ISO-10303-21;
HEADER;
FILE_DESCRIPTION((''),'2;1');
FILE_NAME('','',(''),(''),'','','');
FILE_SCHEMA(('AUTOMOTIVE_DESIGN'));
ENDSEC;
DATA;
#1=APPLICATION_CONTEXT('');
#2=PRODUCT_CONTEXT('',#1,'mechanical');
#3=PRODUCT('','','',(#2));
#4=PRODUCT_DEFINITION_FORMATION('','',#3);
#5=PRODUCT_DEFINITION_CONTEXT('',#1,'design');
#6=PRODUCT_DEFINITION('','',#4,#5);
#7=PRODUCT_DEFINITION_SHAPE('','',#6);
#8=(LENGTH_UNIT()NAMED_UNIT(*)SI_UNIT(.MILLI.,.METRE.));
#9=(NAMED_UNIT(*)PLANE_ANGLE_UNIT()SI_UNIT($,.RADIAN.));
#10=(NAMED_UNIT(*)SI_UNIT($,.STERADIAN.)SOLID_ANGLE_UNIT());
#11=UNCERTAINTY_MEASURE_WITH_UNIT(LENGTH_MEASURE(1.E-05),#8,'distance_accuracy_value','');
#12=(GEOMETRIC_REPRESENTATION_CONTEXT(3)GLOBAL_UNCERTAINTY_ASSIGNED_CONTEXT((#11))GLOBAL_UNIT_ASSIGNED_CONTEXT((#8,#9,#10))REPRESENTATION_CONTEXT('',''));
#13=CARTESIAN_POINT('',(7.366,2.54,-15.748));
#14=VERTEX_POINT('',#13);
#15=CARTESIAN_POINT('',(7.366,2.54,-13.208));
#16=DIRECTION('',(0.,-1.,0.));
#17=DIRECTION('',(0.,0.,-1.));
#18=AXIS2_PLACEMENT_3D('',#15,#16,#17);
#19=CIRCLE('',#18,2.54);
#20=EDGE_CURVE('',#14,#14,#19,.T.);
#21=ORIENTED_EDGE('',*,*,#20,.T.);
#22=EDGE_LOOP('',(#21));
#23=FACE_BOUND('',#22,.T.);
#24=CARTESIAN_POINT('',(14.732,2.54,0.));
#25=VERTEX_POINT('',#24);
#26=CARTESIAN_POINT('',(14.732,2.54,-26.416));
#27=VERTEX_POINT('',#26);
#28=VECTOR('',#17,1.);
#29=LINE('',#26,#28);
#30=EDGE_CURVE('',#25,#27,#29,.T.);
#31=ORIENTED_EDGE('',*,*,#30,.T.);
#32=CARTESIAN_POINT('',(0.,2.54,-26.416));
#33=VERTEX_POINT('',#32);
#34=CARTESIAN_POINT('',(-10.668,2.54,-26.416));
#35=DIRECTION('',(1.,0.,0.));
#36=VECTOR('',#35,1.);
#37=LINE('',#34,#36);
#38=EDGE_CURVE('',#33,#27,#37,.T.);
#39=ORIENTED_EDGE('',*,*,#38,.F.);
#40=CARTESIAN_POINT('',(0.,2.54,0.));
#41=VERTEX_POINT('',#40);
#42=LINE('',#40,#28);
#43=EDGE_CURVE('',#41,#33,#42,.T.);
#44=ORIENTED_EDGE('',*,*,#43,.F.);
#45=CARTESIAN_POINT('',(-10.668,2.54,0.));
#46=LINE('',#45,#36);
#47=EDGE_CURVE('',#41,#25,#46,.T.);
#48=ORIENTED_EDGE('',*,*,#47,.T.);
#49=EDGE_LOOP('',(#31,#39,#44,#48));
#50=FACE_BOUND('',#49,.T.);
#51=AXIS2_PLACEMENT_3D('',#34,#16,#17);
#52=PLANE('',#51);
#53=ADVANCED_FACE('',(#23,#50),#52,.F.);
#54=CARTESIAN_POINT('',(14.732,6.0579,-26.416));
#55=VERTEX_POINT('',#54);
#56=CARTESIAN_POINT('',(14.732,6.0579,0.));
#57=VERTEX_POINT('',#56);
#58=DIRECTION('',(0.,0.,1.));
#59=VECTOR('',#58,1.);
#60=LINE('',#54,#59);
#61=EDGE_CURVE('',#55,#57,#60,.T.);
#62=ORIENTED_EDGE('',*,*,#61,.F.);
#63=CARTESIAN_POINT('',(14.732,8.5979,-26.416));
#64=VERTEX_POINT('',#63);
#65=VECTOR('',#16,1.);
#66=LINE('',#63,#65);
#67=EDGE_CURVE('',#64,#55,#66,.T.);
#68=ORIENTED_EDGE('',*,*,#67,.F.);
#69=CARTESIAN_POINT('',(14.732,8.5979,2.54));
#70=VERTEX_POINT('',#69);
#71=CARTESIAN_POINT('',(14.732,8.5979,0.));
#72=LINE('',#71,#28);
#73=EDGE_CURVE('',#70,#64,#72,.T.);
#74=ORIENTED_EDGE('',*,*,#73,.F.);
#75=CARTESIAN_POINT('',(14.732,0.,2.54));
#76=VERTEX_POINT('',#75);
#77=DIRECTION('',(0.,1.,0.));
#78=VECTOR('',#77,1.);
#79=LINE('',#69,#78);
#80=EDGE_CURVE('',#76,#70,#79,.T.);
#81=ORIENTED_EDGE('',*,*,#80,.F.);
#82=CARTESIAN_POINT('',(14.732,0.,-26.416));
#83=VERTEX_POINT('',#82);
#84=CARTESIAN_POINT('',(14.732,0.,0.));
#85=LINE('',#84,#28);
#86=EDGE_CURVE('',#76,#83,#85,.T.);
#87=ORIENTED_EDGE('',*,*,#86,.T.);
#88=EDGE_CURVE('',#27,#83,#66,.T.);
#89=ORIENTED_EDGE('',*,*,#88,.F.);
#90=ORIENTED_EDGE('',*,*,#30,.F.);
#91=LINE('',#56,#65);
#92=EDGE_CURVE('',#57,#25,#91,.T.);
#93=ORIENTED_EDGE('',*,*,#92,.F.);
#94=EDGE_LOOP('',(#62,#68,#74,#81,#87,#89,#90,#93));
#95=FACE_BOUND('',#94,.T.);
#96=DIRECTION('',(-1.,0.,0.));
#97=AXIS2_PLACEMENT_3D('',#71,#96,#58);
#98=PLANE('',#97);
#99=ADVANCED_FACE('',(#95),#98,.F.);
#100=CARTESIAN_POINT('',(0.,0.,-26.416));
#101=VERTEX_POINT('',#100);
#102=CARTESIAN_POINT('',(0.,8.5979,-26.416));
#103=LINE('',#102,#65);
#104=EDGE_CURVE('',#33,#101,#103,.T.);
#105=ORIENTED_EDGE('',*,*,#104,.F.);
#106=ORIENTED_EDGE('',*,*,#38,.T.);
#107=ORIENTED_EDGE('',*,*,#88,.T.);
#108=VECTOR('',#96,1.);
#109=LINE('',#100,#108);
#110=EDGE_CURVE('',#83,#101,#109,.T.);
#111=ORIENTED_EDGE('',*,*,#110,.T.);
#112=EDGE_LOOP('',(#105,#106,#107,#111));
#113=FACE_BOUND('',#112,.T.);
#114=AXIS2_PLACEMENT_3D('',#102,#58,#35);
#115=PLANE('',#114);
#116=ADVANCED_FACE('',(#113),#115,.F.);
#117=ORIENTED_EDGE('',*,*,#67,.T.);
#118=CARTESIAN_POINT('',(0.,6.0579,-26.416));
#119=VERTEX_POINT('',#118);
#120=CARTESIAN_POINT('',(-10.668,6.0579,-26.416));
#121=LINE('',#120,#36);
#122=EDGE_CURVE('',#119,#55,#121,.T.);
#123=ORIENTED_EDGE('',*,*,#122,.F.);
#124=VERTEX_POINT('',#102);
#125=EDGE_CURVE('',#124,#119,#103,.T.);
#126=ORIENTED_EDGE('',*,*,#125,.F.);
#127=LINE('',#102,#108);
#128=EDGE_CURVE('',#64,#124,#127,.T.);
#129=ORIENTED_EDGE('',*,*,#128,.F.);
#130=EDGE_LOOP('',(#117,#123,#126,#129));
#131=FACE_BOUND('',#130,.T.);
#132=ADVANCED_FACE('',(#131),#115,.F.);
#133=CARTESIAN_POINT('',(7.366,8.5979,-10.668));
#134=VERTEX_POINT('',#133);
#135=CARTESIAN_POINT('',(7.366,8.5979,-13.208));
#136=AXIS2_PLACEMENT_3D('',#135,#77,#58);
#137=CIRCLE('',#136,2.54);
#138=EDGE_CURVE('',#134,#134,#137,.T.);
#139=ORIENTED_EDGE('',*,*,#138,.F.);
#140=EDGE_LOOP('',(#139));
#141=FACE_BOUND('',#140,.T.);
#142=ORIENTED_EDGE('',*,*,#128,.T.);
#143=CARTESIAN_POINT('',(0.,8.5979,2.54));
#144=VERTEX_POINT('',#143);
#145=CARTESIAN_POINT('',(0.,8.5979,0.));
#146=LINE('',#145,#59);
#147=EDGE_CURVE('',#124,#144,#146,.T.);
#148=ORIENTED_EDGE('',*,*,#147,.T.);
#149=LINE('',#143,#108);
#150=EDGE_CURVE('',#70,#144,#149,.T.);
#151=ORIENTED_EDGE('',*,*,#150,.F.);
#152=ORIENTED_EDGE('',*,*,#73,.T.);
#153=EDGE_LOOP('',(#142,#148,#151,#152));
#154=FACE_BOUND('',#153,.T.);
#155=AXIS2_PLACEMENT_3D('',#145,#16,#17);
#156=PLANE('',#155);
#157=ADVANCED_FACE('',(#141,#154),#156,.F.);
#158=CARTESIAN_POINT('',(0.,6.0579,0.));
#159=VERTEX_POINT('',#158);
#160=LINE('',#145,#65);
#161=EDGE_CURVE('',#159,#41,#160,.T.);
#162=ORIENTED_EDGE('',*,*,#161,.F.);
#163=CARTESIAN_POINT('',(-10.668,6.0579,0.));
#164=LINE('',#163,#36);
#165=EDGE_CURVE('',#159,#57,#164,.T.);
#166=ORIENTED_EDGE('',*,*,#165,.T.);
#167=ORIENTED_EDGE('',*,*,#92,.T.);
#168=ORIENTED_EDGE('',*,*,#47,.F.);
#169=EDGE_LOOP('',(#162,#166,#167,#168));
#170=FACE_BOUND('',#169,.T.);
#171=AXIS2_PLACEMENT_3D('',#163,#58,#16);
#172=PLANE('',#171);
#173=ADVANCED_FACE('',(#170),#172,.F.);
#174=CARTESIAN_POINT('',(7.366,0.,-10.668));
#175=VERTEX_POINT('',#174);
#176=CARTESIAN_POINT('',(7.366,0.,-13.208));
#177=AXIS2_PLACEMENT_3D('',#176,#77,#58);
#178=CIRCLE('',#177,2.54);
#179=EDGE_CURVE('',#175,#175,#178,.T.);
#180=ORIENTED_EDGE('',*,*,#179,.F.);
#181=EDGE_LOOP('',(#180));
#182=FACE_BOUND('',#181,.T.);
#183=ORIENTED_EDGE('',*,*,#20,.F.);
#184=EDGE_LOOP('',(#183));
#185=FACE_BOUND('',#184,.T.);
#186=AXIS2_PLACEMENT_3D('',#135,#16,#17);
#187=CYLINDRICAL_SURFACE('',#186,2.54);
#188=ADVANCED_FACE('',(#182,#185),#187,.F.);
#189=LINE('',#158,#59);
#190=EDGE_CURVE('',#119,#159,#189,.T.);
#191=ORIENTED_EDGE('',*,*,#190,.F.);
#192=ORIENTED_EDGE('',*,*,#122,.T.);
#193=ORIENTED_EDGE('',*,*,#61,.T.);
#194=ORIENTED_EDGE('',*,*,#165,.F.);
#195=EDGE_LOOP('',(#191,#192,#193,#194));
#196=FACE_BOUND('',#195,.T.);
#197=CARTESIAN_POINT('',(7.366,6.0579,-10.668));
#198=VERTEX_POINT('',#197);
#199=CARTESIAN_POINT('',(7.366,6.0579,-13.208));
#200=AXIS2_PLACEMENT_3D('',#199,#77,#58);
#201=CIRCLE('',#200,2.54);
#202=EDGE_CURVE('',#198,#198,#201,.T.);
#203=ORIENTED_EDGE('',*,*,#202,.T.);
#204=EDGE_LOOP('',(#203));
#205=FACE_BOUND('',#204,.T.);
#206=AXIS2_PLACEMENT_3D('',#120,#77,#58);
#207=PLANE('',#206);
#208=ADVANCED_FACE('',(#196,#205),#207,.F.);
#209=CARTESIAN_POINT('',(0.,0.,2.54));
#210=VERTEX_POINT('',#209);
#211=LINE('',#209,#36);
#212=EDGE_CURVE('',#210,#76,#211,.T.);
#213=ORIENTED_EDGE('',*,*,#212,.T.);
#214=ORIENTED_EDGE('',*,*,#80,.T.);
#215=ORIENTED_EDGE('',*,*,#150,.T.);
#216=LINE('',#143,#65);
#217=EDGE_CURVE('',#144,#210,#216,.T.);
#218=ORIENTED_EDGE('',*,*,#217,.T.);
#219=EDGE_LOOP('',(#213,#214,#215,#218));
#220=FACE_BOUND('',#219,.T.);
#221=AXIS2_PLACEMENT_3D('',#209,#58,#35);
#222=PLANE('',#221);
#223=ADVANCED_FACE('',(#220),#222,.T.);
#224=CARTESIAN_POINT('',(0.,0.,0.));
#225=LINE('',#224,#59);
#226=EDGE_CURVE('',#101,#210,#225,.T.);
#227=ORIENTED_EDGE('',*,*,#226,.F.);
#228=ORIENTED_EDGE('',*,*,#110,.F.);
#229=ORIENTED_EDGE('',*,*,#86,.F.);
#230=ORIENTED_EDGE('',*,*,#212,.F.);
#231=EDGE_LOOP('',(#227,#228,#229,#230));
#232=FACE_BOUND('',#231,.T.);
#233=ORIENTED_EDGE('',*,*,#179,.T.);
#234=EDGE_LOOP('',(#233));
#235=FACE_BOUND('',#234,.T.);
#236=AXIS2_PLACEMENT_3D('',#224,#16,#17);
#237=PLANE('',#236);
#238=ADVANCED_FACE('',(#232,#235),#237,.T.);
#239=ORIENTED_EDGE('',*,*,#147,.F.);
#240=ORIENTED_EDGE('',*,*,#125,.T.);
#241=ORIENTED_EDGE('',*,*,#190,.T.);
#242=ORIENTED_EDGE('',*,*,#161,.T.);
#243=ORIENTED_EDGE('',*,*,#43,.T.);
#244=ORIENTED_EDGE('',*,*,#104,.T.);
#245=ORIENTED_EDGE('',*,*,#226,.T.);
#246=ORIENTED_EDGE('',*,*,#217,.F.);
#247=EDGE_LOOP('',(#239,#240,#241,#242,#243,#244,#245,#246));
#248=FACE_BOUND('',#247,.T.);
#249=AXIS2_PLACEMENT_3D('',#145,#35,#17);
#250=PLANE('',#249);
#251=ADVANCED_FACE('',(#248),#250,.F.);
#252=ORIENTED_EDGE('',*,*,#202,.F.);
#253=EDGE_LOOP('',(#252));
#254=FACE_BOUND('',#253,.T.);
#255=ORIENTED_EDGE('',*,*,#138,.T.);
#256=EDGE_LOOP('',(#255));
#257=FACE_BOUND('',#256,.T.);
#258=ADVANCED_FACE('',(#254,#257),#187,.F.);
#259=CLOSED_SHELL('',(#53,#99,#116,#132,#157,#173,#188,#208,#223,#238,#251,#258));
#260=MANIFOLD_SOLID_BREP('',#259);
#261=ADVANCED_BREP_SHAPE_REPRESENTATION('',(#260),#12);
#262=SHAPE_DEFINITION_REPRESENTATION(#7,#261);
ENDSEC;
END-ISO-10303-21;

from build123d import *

# Parameters (mm, degrees)
SKETCH1_W           = 14.732
SKETCH1_H           = 26.416
SKETCH1_R           = 2.54
BOSS_EXTRUDE1_DEPTH = 8.5979
SKETCH2_W           = 14.732
SKETCH2_H           = 8.5979
BOSS_EXTRUDE2_DEPTH = 2.54
SKETCH3_W           = 26.416
SKETCH3_H           = 3.5179
CUT_EXTRUDE1_DEPTH  = 25.4


with BuildPart() as part:
    # Sketch1 → Boss-Extrude1 (new body)
    with BuildSketch(Plane(origin=(0, 0, 0), x_dir=(1, 0, 0), z_dir=(0, 1, 0))):
        with Locations((7.366, 13.208)):
            Rectangle(SKETCH1_W, SKETCH1_H)
        with Locations(Location((7.366, 13.208, 0), (0, 0, 270))):
            Circle(SKETCH1_R, mode=Mode.SUBTRACT)
    extrude(amount=BOSS_EXTRUDE1_DEPTH)

    # Sketch2 → Boss-Extrude2 (add)
    with BuildSketch(Plane.XY):
        with Locations((7.366, 4.29895)):
            Rectangle(SKETCH2_W, SKETCH2_H)
    extrude(amount=BOSS_EXTRUDE2_DEPTH)

    # Sketch3 → Cut-Extrude1 (cut)
    with BuildSketch(Plane(origin=(14.732, 0, 0), x_dir=(0, 0, -1), z_dir=(1, 0, 0))):
        with Locations((13.208, 4.29895)):
            Rectangle(SKETCH3_W, SKETCH3_H)
    extrude(amount=-CUT_EXTRUDE1_DEPTH, mode=Mode.SUBTRACT)


solid = part.part
